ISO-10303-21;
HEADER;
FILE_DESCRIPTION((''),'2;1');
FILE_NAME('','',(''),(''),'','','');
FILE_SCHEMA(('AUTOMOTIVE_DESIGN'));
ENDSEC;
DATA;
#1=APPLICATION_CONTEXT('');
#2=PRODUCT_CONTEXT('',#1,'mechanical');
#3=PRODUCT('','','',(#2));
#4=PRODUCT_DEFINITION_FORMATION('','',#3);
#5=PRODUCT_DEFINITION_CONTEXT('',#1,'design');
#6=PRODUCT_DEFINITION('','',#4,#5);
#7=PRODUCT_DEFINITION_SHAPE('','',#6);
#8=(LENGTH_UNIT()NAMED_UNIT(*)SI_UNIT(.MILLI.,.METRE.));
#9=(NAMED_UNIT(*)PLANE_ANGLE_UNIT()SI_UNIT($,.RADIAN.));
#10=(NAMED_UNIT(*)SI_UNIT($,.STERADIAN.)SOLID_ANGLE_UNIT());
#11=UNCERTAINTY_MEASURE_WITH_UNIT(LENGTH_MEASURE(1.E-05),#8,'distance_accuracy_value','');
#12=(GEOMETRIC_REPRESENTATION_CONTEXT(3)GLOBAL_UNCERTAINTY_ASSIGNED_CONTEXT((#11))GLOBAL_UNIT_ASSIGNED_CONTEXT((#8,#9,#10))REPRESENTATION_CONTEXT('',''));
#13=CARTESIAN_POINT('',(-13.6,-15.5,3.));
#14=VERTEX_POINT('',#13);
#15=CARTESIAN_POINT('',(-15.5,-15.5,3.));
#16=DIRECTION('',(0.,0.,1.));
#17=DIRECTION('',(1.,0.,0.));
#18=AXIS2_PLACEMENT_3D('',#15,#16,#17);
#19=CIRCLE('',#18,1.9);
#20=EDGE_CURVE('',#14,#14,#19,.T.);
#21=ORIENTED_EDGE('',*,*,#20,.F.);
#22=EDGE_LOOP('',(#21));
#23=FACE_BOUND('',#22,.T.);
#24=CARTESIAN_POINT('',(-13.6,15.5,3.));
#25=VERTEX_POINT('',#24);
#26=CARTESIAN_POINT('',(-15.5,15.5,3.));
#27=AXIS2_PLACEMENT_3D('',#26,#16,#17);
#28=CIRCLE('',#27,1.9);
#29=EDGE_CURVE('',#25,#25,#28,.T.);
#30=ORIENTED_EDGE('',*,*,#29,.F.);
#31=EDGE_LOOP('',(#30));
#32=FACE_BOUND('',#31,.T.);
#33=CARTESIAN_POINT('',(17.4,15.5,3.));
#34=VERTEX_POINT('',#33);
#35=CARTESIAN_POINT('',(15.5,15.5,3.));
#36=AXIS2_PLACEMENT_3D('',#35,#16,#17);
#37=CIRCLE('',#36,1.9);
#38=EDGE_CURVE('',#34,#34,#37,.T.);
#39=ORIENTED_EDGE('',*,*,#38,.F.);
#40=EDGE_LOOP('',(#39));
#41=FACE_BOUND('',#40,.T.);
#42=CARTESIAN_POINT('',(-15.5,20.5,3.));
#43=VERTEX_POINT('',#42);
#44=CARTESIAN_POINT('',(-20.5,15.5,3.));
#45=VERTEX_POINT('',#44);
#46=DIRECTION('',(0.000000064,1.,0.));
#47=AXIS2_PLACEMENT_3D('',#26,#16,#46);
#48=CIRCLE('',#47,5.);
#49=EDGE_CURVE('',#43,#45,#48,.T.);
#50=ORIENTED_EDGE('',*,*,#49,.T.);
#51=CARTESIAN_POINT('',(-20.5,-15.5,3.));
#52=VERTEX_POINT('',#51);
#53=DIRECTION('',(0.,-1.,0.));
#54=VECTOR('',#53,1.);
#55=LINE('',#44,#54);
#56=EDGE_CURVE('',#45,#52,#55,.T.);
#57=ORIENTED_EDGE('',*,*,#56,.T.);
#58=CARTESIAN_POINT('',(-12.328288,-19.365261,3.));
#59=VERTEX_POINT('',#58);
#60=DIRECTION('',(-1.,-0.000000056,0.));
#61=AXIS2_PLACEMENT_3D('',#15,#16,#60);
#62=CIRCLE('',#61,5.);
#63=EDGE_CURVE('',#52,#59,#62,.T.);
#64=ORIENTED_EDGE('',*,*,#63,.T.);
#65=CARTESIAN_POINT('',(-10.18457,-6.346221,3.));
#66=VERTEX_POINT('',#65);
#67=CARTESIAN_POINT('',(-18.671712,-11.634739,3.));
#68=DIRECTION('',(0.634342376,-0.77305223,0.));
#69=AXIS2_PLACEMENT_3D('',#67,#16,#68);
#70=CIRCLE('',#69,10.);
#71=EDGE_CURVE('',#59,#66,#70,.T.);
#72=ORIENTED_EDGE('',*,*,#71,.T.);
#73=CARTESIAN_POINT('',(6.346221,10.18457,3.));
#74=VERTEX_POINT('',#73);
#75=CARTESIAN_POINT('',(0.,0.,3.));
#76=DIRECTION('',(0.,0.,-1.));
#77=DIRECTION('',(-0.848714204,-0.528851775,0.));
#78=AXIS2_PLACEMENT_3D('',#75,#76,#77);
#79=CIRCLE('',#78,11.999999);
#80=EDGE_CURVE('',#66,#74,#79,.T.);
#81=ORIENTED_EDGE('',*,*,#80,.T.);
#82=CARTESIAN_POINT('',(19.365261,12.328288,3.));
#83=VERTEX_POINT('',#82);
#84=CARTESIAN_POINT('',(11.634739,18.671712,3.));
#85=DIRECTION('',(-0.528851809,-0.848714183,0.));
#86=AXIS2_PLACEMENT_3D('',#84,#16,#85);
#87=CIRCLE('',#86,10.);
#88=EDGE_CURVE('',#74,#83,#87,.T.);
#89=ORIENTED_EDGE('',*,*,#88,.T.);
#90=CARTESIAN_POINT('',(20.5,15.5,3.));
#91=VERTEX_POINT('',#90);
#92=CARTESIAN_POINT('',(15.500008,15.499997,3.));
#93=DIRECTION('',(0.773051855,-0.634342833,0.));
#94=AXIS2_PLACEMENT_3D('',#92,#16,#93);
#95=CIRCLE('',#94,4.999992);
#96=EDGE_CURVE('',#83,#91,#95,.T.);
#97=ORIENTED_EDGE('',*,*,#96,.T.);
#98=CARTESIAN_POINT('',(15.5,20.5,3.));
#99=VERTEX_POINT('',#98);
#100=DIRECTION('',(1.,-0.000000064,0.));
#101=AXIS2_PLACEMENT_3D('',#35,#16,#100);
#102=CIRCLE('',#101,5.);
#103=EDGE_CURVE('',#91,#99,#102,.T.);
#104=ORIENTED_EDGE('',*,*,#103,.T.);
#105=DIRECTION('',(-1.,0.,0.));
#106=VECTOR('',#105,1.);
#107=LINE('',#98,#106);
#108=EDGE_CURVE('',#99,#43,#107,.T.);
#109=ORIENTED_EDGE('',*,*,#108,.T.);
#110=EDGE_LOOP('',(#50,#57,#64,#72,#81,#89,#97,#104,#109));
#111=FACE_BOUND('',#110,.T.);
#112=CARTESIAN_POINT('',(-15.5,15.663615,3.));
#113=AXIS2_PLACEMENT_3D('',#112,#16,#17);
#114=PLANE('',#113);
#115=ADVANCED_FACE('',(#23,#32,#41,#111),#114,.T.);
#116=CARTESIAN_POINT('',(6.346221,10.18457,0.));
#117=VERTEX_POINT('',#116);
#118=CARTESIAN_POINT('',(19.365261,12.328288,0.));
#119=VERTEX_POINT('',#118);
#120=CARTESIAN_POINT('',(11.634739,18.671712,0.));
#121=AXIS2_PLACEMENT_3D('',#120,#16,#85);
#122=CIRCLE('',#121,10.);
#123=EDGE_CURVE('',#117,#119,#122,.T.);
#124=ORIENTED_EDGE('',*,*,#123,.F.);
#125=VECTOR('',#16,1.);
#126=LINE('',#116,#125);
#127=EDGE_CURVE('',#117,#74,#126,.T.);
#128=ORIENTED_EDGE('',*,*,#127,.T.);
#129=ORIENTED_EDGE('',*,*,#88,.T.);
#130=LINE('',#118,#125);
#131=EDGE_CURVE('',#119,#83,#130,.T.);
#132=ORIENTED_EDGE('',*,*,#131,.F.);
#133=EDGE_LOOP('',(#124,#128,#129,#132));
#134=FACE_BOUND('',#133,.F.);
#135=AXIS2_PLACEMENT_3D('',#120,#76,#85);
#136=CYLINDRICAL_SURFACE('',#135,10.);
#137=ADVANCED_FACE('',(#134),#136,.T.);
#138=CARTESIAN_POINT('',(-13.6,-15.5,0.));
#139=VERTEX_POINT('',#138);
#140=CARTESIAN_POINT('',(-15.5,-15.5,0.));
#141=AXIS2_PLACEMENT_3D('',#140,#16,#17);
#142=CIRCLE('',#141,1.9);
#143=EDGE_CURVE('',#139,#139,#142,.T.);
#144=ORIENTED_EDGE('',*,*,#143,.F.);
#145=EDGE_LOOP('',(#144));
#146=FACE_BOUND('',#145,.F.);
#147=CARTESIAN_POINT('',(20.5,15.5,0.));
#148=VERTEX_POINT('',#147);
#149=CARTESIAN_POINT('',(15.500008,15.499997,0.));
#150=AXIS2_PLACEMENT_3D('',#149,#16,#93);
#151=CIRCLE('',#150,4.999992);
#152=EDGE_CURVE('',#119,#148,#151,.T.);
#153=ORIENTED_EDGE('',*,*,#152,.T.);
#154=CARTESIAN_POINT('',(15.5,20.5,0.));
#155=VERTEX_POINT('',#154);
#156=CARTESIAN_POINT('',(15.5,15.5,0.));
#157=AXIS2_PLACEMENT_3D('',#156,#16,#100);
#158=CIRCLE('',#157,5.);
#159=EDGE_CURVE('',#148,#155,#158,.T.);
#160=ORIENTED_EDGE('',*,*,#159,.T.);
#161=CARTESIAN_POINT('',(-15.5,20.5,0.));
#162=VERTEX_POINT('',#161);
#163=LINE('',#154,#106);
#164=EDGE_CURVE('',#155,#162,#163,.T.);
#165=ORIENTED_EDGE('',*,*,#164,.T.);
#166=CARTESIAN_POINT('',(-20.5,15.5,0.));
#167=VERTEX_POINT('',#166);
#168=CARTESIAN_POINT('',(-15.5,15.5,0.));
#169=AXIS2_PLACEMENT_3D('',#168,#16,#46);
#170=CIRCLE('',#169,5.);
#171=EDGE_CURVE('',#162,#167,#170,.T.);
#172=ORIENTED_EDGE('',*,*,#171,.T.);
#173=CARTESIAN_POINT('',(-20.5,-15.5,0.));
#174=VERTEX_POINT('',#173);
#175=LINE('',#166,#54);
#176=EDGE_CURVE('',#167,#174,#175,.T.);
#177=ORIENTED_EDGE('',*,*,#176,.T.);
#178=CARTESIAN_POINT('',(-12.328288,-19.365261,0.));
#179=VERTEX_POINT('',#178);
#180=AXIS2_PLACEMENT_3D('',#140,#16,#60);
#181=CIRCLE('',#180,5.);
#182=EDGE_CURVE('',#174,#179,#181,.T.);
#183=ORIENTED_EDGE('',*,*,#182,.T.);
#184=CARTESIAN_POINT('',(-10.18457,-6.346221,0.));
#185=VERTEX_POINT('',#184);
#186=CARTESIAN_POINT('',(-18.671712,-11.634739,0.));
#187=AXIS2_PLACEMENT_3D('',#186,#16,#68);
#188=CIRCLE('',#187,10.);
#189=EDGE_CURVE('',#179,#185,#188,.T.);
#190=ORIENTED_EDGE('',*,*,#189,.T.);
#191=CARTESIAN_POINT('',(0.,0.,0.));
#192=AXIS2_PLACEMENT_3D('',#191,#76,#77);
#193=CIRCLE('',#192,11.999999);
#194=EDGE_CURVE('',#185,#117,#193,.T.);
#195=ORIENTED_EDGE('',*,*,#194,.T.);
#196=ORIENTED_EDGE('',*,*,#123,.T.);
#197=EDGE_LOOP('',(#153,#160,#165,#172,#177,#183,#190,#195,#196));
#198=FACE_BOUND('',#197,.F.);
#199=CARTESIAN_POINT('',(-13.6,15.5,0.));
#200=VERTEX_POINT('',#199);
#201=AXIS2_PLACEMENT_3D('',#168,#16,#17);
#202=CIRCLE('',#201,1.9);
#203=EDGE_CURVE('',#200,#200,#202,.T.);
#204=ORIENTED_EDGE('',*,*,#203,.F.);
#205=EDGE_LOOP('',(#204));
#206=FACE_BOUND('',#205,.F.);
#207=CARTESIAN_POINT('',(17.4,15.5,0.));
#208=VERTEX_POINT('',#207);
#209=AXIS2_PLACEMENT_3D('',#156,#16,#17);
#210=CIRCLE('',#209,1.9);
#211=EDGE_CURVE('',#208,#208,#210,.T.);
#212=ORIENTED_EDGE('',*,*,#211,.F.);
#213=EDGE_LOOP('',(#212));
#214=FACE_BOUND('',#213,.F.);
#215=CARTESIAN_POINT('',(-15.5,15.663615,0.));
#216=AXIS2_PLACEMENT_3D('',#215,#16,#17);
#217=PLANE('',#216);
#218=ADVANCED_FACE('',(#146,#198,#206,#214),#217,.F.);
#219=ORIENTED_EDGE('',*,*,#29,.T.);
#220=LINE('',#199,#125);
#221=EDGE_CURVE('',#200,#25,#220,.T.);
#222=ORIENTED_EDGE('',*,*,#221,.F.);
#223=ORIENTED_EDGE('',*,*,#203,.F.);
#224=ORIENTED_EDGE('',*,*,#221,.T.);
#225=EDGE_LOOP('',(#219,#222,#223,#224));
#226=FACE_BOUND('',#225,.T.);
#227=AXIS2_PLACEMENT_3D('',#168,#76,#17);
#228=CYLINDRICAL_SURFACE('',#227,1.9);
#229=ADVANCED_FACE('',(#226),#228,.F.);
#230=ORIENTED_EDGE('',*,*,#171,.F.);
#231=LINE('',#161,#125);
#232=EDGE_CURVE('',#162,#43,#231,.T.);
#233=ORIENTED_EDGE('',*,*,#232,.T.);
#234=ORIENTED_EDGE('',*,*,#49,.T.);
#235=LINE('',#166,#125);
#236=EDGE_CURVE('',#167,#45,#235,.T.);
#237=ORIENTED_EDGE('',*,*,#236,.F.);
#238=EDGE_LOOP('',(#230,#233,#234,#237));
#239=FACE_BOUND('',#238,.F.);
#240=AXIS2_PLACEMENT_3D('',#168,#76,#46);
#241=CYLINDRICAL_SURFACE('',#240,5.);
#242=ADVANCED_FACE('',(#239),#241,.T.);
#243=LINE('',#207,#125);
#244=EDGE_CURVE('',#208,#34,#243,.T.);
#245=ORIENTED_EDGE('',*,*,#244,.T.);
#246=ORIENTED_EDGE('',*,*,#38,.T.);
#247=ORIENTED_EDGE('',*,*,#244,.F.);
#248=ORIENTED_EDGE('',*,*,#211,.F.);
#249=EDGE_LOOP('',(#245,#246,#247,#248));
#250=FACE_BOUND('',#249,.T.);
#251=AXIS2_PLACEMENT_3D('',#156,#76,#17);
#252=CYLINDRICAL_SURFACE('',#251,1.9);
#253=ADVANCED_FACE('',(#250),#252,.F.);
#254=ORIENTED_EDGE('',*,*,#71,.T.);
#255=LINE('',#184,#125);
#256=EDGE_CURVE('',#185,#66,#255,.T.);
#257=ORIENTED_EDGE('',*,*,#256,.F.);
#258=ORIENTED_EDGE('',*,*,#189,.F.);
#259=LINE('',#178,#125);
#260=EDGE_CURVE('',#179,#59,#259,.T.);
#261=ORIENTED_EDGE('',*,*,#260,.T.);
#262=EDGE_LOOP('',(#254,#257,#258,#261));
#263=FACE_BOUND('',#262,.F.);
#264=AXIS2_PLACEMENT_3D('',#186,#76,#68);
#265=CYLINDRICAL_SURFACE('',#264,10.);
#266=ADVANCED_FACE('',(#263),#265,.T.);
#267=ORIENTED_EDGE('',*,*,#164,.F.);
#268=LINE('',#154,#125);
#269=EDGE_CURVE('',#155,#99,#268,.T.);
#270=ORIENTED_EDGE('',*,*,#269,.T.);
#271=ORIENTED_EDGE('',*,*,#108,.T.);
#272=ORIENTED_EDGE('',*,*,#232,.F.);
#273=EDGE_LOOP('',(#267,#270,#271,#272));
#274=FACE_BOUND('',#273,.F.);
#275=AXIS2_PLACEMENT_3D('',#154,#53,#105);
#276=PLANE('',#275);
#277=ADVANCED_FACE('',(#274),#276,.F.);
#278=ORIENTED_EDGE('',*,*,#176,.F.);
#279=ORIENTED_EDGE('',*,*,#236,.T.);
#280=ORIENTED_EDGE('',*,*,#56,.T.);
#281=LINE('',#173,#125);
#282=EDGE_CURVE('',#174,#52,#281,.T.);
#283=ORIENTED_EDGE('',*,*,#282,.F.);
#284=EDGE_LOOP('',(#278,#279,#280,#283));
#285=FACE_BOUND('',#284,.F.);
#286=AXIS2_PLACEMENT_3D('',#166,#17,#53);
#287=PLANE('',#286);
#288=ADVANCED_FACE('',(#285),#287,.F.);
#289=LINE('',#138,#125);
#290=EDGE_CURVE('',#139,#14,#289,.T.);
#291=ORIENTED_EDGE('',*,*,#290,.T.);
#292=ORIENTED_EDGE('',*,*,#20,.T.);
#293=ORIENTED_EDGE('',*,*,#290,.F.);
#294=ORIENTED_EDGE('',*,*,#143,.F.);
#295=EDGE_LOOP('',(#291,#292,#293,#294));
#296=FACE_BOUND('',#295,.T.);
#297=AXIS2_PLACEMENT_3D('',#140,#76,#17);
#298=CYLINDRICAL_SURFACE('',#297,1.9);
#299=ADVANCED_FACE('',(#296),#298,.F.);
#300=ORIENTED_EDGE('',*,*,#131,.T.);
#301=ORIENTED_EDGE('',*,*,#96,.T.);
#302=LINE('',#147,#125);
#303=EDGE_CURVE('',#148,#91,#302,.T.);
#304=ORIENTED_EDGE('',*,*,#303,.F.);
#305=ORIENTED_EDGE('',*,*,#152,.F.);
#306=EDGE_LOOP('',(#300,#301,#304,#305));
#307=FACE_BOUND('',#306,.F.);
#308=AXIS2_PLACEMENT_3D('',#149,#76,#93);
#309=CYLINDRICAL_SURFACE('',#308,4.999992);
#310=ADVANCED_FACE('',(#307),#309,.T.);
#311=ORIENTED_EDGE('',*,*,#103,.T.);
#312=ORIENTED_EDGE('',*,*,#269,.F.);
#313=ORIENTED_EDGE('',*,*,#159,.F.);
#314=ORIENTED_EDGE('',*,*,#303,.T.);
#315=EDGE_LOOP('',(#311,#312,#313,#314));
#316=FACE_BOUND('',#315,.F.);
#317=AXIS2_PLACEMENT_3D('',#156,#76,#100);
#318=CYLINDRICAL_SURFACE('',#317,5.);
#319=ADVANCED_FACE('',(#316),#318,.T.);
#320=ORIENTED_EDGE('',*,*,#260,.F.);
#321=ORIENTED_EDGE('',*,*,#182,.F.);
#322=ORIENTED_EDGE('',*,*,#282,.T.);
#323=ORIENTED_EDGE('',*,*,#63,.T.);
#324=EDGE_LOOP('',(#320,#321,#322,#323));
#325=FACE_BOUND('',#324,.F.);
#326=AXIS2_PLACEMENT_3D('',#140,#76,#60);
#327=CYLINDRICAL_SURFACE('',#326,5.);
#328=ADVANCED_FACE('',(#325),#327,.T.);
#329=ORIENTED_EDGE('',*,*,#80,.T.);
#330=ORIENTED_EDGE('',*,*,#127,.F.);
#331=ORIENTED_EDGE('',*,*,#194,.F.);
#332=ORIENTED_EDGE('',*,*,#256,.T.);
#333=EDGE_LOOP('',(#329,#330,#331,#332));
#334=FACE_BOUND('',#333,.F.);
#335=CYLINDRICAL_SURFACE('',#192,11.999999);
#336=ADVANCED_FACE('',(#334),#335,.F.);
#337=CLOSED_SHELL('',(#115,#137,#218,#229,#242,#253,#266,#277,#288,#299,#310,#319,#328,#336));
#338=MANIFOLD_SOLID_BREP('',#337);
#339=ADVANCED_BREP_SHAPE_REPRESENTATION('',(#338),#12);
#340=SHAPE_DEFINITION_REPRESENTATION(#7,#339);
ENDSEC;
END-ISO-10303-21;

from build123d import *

# Parameters (mm, degrees)
F0_R     = 1.9
F1_DEPTH = 3


with BuildPart() as f1:
    # F0 (on Top) → F1 (new body)
    with BuildSketch(Plane.XY):
        with BuildLine():
            ThreePointArc((-10.5, 15.5), (-11.964466, 19.035534), (-15.5, 20.5))
            ThreePointArc((-15.5, 20.5), (-19.035534, 19.035534), (-20.5, 15.5))
            ThreePointArc((-20.5, 15.5), (-15.5, 10.5), (-10.5, 15.5))
        make_face()
        with Locations((-15.5, 15.5)):
            Circle(F0_R, mode=Mode.SUBTRACT)
        with BuildLine():
            ThreePointArc((19.365261, 12.328288), (10.980124, 13.362076), (15.5, 20.5))
            Line((15.5, 20.5), (-15.5, 20.5))
            ThreePointArc((-15.5, 20.5), (-11.964466, 19.035534), (-10.5, 15.5))
            ThreePointArc((-10.5, 15.5), (-15.5, 10.5), (-20.5, 15.5))
            Line((-20.5, 15.5), (-20.5, -15.5))
            ThreePointArc((-20.5, -15.5), (-15.5, -10.5), (-10.5, -15.5))
            ThreePointArc((-10.5, -15.5), (-10.980124, -17.637924), (-12.328288, -19.365261))
            ThreePointArc((-12.328288, -19.365261), (-8.804581, -13.259463), (-10.18457, -6.346221))
            ThreePointArc((-10.18457, -6.346221), (-8.485281, 8.485281), (6.346221, 10.18457))
            ThreePointArc((6.346221, 10.18457), (13.259463, 8.804581), (19.365261, 12.328288))
        make_face()
        with BuildLine():
            ThreePointArc((19.365261, 12.328288), (20.207776, 13.815705), (20.5, 15.5))
            ThreePointArc((20.5, 15.5), (19.035534, 19.035534), (15.5, 20.5))
            ThreePointArc((15.5, 20.5), (10.980124, 13.362076), (19.365261, 12.328288))
        make_face()
        with Locations((15.5, 15.5)):
            Circle(F0_R, mode=Mode.SUBTRACT)
        with BuildLine():
            ThreePointArc((-10.5, -15.5), (-15.5, -10.5), (-20.5, -15.5))
            ThreePointArc((-20.5, -15.5), (-17.637924, -20.019876), (-12.328288, -19.365261))
            ThreePointArc((-12.328288, -19.365261), (-10.980124, -17.637924), (-10.5, -15.5))
        make_face()
        with Locations((-15.5, -15.5)):
            Circle(F0_R, mode=Mode.SUBTRACT)
    extrude(amount=F1_DEPTH)


solid = f1.part
